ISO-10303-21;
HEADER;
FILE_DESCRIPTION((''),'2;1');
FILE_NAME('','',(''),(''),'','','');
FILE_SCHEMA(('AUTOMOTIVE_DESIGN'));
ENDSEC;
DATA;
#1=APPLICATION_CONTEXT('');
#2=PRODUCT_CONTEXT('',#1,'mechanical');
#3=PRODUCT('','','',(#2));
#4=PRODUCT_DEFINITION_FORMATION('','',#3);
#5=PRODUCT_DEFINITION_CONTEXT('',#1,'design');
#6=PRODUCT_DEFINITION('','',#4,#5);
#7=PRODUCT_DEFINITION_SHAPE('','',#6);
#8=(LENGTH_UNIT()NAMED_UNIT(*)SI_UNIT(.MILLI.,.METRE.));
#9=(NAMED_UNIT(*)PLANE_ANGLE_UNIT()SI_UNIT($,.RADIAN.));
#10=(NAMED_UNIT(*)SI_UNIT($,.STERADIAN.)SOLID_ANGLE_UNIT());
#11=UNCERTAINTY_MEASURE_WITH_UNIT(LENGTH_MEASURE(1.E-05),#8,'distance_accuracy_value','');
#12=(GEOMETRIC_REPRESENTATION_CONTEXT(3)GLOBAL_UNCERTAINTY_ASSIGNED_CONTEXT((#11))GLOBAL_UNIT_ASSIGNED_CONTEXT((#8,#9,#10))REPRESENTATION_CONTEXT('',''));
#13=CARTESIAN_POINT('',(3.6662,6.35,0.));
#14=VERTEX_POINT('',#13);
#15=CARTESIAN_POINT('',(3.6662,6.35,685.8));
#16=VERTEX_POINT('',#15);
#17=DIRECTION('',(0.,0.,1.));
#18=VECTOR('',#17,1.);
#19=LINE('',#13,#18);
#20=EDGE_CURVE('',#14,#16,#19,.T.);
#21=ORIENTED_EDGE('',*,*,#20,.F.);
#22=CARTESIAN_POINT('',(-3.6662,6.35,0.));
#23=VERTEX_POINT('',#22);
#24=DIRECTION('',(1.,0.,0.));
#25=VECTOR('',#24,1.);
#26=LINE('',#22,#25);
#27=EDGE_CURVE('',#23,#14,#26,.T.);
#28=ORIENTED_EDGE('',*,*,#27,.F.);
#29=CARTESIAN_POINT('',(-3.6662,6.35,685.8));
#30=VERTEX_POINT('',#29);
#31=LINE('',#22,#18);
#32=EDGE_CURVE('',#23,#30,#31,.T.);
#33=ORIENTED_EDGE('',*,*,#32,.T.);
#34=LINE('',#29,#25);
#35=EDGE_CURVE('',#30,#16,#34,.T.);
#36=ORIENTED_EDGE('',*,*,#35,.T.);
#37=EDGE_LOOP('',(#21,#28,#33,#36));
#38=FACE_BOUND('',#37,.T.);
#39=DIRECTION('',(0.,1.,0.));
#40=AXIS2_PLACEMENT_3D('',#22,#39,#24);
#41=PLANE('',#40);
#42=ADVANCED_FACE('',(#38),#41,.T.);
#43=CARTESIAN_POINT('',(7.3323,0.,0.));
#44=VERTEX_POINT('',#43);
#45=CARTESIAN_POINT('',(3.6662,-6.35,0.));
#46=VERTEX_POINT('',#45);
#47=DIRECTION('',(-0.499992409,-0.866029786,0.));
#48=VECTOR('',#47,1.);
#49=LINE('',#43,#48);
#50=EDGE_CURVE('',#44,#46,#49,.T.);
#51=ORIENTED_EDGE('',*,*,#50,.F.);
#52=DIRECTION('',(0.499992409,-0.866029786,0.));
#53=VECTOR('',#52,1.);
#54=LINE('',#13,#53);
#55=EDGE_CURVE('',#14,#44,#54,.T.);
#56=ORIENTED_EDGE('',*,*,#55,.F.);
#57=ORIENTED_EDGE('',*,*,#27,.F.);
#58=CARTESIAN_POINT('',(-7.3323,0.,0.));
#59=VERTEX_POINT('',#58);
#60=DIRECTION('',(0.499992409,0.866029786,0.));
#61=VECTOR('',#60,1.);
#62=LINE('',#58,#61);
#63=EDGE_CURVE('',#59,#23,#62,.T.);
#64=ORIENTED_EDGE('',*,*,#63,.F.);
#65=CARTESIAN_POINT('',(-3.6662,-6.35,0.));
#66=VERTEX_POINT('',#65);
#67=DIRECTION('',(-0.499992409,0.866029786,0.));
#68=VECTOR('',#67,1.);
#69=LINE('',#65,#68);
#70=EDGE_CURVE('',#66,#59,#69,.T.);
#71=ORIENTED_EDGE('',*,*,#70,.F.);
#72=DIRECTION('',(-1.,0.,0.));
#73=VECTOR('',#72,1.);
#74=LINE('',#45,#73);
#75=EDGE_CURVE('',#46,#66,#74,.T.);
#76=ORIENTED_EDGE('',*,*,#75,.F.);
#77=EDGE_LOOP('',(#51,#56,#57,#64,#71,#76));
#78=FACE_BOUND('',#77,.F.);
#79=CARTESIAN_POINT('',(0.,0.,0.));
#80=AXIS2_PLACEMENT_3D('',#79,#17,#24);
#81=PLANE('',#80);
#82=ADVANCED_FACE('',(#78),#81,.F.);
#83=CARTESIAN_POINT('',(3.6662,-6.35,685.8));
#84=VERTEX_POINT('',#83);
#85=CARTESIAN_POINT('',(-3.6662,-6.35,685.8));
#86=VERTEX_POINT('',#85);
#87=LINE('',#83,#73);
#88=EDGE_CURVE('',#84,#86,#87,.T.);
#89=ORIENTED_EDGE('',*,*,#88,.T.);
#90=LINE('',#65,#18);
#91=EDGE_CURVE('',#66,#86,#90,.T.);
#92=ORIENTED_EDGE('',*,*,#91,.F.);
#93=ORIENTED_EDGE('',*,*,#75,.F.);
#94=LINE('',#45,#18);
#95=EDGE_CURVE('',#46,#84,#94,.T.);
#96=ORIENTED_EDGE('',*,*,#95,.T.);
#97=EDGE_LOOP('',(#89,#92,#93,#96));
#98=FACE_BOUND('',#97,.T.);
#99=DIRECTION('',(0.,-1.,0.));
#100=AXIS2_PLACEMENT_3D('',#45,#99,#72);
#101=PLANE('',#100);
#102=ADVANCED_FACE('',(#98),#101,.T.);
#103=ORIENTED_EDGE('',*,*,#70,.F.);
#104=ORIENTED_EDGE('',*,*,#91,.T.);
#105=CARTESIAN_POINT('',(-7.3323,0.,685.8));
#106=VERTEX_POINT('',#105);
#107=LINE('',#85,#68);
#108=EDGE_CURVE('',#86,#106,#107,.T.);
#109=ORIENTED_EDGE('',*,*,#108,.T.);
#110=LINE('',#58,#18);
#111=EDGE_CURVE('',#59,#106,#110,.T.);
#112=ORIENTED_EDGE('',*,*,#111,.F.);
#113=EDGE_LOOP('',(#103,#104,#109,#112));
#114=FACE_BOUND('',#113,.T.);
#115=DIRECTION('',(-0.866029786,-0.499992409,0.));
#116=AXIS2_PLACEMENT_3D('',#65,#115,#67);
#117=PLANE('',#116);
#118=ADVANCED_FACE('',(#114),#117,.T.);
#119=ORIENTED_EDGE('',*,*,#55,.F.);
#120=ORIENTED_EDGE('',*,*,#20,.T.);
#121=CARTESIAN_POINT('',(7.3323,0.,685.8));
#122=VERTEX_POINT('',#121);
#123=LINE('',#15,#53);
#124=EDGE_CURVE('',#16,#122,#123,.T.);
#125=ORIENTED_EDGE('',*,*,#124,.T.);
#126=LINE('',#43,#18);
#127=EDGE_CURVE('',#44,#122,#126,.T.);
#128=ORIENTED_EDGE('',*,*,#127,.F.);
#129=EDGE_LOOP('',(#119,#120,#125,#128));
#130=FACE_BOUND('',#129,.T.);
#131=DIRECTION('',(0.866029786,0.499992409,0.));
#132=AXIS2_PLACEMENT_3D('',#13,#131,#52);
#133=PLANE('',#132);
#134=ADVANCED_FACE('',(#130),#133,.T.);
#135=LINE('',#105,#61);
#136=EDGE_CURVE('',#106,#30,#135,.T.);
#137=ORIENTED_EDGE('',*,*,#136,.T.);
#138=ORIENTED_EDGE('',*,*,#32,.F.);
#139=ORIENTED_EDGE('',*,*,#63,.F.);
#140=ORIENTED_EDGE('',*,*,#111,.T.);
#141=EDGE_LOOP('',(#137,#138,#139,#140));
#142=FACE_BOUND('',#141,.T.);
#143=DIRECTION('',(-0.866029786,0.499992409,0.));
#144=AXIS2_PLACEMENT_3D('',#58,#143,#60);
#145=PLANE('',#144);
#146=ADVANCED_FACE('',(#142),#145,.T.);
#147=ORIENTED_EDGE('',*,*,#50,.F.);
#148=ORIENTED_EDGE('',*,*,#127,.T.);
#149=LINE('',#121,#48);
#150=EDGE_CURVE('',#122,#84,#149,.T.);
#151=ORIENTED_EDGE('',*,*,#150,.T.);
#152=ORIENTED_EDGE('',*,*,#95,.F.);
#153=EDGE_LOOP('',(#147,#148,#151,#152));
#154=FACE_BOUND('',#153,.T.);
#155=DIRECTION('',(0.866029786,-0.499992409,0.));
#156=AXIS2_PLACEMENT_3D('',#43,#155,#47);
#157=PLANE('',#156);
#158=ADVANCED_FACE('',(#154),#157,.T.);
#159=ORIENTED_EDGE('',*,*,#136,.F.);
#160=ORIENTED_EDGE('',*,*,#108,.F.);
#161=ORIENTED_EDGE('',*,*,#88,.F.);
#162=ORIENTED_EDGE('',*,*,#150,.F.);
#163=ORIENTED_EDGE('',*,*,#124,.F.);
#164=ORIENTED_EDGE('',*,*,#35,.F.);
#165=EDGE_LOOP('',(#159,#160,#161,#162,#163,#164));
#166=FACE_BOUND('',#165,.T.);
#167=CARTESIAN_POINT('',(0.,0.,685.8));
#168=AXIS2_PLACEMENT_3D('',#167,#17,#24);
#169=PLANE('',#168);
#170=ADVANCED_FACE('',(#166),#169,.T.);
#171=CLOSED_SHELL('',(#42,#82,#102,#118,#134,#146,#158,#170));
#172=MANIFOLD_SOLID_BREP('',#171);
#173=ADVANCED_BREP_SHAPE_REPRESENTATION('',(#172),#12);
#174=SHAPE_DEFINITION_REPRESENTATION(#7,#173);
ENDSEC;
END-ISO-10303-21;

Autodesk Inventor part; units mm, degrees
ref_plane "YZ Plane" through (0, 0, 0) normal (1, 0, 0) x (0, 1, 0)
ref_plane "XZ Plane" through (0, 0, 0) normal (0, 1, 0) x (-1, 0, 0)
ref_plane "XY Plane" through (0, 0, 0) normal (0, 0, 1) x (1, 0, 0)
sketch "Sketch1" plane through (0, 0, 0) normal (0, 0, 1) x (1, 0, 0)
  line L0 (3.6662, 6.35) -> (7.3323, 0)
  line L1 (7.3323, 0) -> (3.6662, -6.35)
  line L2 (3.6662, -6.35) -> (-3.6662, -6.35)
  line L3 (-3.6662, -6.35) -> (-7.3323, 0)
  line L4 (-7.3323, 0) -> (-3.6662, 6.35)
  line L5 (-3.6662, 6.35) -> (3.6662, 6.35)
  point P0 (0, 0)
  point P1 (0, 0)
  dimension "d0" = 12.7
extrude "Extrusion1" add sketch "Sketch1" along normal blind 685.8
properties part number "hex rod 27 inch" material "Steel, Alloy"
